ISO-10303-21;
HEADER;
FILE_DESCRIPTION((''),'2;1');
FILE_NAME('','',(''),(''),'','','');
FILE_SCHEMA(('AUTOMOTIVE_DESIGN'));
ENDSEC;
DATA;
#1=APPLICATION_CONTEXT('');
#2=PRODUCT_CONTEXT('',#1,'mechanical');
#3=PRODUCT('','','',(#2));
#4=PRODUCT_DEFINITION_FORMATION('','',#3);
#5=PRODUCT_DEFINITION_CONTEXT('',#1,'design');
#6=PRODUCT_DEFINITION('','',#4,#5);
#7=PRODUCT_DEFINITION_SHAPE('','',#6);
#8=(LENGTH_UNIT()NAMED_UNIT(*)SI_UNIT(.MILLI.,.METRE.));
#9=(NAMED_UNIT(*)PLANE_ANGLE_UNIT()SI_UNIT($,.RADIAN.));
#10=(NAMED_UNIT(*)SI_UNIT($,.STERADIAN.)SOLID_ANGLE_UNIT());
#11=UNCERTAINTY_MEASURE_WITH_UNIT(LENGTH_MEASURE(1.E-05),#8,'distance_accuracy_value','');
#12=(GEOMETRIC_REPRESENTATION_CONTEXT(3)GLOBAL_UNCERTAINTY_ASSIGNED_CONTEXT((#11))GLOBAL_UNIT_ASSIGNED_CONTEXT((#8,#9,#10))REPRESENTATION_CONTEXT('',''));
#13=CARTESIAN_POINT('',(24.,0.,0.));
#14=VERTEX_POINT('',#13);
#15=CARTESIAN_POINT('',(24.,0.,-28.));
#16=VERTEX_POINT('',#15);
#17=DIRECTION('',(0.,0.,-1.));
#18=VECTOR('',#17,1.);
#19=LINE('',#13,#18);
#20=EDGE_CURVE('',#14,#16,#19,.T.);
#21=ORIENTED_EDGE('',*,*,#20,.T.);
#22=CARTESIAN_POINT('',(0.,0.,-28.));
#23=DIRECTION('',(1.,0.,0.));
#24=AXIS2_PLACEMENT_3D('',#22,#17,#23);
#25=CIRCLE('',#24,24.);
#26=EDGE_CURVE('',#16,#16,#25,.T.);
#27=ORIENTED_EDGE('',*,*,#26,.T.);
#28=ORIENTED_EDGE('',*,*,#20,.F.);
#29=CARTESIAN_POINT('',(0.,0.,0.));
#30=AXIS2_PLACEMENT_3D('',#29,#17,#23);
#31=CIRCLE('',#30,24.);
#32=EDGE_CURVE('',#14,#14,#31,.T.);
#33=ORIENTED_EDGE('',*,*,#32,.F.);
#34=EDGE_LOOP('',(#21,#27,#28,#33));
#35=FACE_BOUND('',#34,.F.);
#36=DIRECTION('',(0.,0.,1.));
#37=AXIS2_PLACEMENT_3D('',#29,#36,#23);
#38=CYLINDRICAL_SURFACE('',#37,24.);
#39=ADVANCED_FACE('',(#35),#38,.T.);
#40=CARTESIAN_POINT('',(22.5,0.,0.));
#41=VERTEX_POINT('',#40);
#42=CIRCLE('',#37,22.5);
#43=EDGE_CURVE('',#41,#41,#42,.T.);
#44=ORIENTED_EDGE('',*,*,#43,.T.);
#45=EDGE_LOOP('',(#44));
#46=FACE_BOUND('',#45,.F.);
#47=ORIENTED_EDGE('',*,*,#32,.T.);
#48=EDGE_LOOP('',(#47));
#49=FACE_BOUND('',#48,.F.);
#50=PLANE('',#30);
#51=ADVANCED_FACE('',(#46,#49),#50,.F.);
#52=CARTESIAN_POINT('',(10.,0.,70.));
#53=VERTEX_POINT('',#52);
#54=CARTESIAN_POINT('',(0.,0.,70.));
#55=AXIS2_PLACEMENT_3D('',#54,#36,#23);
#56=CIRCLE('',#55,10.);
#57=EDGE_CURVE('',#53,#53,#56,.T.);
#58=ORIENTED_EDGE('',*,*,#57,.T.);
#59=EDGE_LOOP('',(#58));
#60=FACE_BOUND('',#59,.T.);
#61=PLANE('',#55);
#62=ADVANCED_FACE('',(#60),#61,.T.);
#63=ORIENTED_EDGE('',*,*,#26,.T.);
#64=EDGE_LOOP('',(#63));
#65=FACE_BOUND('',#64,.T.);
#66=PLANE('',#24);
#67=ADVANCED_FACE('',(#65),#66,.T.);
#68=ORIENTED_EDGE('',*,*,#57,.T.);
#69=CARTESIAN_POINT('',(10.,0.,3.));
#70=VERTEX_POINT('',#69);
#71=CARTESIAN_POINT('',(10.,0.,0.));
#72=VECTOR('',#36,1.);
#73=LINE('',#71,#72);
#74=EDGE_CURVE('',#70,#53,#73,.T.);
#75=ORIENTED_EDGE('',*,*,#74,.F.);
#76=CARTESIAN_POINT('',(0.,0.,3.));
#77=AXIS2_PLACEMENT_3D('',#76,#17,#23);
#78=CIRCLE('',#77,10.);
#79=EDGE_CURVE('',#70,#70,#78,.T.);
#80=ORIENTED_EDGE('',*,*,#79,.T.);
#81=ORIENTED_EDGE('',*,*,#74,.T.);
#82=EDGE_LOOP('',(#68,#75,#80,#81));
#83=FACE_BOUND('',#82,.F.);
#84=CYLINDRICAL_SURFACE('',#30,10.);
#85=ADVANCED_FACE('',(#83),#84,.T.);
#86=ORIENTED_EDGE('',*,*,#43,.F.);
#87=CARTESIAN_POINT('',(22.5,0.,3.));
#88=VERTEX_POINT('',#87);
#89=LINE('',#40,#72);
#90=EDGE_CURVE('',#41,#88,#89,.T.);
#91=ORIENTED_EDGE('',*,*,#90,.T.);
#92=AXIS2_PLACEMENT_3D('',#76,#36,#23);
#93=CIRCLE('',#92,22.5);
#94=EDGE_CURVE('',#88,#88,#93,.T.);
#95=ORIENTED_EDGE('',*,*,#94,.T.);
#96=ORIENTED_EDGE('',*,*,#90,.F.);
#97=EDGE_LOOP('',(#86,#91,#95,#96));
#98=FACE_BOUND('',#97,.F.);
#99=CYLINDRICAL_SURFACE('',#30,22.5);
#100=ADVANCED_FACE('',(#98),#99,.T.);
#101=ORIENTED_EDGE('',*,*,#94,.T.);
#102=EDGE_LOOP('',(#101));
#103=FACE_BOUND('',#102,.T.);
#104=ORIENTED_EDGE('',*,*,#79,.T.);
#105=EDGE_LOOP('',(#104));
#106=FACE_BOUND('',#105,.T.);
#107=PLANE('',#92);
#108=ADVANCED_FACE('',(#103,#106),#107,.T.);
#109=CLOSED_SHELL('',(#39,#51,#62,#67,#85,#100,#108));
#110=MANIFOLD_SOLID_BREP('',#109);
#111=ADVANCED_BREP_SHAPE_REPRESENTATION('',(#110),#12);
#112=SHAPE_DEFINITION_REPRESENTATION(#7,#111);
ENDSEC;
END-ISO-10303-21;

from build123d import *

# Parameters (mm, degrees)
F0_R     = 22.5
F1_DEPTH = 3
F2_R     = 10
F3_DEPTH = 70
F4_R     = 24
F5_DEPTH = 28


with BuildPart() as f1:
    # F0 (on Top) → F1 (new body)
    with BuildSketch(Plane.XY):
        Circle(F0_R)
    extrude(amount=F1_DEPTH)

    # F2 (on Top) → F3 (join)
    with BuildSketch(Plane.XY):
        Circle(F2_R)
    extrude(amount=F3_DEPTH)

    # F4 (on face) → F5 (join)
    with BuildSketch(Plane(origin=(0, 0, 0), x_dir=(1, 0, 0), z_dir=(0, 0, -1))):
        Circle(F4_R)
    extrude(amount=F5_DEPTH)


solid = f1.part
